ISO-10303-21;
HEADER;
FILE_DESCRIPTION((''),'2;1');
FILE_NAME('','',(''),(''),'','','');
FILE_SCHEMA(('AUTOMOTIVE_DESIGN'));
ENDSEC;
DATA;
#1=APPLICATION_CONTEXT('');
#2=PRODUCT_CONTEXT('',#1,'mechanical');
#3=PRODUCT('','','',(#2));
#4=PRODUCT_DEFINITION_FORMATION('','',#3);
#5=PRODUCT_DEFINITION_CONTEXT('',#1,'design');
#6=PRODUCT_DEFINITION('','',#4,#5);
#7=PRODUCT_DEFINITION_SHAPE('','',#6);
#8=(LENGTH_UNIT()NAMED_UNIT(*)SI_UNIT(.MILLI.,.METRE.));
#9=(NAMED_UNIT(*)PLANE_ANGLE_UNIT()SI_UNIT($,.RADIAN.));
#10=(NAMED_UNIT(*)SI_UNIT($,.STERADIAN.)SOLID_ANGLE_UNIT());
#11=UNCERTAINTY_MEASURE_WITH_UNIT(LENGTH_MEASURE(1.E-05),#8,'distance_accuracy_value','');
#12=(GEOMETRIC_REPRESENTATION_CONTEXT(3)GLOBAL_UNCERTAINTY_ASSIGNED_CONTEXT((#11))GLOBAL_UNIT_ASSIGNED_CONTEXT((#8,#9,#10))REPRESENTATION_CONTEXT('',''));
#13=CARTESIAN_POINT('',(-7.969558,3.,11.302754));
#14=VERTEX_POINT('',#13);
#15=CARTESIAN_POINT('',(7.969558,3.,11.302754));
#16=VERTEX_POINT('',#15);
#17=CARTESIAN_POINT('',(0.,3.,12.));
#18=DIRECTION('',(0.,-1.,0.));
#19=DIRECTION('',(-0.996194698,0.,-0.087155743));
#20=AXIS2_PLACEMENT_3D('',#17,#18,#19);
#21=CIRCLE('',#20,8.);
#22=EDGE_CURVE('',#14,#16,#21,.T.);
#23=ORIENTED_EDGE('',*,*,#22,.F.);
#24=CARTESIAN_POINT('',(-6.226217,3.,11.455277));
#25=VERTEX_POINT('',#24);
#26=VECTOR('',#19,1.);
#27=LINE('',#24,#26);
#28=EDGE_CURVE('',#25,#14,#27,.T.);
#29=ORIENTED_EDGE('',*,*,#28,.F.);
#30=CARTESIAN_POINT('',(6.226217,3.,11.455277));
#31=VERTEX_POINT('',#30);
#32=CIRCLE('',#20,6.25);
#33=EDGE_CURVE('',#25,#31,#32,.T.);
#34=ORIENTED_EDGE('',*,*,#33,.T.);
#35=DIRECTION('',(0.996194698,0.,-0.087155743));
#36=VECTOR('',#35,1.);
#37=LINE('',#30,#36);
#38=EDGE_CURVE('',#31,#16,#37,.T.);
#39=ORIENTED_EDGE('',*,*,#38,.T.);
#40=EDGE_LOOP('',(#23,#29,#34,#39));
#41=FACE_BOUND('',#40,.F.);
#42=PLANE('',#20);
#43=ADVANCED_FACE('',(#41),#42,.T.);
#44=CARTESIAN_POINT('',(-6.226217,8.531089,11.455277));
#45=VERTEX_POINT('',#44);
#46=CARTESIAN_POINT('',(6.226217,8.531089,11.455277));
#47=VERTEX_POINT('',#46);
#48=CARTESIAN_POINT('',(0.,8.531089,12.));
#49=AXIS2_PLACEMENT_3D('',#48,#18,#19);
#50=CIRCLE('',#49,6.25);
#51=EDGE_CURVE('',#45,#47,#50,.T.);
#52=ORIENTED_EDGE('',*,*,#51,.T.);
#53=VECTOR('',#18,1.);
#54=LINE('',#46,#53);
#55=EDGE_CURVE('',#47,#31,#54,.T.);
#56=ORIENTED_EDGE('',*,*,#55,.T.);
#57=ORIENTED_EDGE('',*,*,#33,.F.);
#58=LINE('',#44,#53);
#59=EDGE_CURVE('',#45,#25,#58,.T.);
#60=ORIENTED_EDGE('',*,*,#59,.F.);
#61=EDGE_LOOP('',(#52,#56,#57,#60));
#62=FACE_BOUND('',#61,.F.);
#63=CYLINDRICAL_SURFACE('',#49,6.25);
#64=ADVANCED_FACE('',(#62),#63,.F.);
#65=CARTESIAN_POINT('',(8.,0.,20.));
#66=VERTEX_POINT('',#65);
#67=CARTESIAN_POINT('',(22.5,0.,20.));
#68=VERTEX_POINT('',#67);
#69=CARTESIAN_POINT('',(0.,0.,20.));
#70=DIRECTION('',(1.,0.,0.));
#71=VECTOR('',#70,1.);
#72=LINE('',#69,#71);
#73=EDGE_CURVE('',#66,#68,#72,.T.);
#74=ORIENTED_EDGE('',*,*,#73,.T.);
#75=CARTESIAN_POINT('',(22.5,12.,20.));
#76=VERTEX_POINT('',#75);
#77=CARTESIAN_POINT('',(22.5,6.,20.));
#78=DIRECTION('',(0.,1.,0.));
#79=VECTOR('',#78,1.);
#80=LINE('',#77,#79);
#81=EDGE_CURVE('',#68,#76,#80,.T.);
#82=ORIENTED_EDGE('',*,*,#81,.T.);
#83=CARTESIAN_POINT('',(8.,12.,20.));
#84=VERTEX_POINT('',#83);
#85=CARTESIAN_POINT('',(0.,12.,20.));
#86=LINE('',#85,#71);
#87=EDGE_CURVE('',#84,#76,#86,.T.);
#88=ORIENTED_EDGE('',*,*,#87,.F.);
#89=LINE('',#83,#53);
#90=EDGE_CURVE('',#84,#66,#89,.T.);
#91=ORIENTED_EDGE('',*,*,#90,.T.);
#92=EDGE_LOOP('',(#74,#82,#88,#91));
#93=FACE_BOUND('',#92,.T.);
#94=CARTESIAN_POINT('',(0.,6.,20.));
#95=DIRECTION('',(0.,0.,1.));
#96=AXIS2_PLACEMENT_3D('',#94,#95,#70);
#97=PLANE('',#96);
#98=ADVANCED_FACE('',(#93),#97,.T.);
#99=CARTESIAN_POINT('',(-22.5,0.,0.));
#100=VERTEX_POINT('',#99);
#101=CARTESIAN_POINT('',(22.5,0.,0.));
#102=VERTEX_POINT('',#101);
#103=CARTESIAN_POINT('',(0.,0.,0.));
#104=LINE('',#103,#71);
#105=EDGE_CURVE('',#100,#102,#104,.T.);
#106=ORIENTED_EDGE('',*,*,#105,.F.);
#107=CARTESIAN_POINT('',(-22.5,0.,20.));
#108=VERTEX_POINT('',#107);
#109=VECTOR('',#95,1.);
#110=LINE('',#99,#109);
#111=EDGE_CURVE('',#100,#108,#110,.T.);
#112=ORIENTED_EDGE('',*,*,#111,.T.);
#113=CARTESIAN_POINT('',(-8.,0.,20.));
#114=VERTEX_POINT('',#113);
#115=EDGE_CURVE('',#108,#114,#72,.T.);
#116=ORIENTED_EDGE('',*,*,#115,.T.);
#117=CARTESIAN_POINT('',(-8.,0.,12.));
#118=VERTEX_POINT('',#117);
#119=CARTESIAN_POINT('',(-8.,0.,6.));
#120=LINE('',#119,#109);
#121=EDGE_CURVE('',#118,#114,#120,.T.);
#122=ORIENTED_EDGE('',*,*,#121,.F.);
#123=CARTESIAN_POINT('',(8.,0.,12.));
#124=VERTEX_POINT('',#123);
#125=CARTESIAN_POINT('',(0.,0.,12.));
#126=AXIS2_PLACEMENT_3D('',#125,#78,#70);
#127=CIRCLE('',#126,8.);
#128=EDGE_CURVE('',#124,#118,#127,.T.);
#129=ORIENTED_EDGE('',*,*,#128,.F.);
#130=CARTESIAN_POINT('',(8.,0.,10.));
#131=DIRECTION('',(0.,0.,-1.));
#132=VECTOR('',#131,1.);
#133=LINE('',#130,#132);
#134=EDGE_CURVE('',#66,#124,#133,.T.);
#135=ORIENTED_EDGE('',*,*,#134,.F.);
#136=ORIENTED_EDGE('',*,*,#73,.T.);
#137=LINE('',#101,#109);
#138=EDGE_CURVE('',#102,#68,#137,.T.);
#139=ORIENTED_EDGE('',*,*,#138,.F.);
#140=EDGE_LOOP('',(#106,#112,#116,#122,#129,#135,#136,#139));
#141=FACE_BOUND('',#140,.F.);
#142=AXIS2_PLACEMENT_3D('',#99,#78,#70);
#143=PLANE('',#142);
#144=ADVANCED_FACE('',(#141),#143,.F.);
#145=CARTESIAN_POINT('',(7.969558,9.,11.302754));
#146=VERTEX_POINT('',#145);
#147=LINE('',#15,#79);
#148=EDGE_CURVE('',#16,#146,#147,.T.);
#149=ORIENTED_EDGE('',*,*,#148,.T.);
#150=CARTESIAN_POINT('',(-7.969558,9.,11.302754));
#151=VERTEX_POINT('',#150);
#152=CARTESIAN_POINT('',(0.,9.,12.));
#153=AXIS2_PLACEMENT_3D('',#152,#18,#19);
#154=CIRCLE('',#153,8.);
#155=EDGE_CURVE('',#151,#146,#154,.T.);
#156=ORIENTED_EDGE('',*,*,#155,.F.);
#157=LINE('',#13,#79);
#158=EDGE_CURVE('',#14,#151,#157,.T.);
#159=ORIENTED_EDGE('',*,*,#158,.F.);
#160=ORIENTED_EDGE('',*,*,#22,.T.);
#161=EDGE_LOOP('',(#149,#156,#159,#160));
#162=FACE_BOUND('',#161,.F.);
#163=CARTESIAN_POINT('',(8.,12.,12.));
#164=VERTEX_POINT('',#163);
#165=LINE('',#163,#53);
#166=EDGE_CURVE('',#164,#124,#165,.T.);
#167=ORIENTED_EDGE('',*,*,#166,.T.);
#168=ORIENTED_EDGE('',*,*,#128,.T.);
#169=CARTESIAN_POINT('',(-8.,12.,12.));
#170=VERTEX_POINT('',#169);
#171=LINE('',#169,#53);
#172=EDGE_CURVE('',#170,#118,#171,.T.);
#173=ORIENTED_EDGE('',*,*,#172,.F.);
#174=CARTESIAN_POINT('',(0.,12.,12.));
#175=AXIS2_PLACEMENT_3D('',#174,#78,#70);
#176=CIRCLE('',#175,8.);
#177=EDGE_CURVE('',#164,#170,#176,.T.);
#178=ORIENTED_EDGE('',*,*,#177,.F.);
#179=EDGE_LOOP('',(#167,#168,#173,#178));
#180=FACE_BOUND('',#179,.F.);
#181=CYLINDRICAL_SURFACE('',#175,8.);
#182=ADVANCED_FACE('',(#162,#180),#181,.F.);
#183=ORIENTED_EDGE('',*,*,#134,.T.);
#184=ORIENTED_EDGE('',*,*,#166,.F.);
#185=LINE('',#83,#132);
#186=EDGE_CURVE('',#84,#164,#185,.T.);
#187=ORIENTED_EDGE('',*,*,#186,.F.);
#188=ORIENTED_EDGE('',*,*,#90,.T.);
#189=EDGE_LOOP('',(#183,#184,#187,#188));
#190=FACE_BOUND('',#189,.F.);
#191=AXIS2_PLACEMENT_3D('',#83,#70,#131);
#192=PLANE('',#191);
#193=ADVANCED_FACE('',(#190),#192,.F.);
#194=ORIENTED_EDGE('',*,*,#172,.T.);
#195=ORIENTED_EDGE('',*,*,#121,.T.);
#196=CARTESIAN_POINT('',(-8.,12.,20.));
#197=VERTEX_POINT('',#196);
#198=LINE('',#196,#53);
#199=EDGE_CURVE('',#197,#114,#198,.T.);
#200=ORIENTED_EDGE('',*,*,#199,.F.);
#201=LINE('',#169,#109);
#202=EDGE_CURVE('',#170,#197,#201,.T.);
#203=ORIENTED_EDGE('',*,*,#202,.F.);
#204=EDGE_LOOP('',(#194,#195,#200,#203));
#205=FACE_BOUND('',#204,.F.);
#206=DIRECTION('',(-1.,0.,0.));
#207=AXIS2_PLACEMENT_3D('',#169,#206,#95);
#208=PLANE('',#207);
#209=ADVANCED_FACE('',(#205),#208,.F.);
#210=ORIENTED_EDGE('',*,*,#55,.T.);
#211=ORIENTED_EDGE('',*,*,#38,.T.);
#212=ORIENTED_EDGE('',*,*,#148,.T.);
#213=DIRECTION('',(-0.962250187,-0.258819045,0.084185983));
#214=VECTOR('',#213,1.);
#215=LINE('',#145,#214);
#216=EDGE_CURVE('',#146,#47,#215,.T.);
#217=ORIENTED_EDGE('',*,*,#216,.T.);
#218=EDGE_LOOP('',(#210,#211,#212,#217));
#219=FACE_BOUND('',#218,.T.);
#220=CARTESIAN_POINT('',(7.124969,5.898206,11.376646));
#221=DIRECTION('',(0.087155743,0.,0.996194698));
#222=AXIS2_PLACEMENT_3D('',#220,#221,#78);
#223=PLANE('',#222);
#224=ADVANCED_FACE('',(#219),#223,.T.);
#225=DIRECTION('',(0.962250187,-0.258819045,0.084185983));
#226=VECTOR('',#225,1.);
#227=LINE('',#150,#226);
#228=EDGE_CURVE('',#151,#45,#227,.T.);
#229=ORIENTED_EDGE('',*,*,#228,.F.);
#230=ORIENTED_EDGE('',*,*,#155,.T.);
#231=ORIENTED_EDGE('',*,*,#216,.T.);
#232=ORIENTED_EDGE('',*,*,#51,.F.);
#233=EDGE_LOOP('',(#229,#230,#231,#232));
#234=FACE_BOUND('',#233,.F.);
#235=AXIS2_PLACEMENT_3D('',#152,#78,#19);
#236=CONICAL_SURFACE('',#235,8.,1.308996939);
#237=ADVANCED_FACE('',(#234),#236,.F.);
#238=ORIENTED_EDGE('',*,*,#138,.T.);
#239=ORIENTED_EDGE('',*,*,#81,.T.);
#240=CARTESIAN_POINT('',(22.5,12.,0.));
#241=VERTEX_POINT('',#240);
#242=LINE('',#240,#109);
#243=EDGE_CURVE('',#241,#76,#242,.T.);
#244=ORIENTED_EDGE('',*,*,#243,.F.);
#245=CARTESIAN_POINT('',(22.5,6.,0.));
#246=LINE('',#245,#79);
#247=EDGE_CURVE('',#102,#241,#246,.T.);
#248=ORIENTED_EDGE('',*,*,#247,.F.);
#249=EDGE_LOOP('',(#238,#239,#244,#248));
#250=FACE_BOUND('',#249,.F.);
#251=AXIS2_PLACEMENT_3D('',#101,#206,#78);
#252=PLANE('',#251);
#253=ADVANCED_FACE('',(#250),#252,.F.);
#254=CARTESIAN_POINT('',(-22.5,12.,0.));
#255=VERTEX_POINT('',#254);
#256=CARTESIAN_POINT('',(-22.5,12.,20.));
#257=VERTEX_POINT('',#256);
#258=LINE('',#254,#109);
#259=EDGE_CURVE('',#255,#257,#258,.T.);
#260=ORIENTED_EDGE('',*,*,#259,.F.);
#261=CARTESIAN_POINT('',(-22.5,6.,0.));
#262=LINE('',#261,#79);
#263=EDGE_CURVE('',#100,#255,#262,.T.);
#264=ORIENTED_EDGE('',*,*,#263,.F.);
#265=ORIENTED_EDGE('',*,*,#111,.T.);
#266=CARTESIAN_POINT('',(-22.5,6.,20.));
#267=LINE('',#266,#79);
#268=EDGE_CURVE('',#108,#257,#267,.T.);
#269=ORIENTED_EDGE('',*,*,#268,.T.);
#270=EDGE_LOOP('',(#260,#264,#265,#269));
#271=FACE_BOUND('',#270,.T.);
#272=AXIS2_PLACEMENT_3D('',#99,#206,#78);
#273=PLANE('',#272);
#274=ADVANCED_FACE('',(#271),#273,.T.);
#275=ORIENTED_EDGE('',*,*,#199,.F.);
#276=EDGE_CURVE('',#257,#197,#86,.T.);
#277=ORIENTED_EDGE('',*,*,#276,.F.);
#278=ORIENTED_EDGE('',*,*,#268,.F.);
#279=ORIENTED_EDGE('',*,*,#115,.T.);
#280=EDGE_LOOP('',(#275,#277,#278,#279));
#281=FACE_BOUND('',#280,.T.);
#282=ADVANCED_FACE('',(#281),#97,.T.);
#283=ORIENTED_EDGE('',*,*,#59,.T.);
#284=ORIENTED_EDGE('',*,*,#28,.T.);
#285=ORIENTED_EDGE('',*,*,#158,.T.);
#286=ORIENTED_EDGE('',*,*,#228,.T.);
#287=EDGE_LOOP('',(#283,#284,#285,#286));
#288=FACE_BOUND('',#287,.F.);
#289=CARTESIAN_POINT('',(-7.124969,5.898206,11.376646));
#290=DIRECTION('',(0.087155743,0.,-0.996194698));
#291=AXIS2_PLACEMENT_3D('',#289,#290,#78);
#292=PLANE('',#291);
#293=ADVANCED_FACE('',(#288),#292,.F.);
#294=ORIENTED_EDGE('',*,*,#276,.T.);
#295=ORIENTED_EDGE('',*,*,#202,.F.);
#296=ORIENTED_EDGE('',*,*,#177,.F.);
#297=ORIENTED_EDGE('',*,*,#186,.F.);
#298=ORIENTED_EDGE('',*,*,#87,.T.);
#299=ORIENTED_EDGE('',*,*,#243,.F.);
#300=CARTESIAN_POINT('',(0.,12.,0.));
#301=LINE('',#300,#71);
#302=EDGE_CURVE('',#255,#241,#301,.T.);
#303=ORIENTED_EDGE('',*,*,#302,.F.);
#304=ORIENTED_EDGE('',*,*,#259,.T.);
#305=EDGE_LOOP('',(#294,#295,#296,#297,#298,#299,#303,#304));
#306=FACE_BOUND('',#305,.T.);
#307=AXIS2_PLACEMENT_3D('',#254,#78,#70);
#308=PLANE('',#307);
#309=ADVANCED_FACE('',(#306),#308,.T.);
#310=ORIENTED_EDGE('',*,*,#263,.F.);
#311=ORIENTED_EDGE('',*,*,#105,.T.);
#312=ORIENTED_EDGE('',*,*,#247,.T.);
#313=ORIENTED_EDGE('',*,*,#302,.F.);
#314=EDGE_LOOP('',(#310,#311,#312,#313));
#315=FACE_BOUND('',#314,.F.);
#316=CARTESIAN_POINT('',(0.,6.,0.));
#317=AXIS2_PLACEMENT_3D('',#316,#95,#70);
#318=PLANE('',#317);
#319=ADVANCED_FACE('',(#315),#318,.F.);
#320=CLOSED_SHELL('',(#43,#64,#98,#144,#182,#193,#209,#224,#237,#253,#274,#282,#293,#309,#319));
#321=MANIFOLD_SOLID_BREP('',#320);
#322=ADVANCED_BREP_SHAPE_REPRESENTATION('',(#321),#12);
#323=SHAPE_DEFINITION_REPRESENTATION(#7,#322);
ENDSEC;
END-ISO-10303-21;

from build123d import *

# Parameters (mm, degrees)
F0_W          = 45
F0_H          = 12
F1_DEPTH      = 20
F3_DEPTH      = 12.001
F5_ANGLE_BACK = 85
F5_ANGLE      = 170


with BuildPart() as f1:
    # F0 (on Top) → F1 (new body)
    with BuildSketch(Plane.XY):
        with Locations((0, 6)):
            Rectangle(F0_W, F0_H)
    extrude(amount=F1_DEPTH)

    # F2 (on face) → F3 (cut, through all)
    with BuildSketch(Plane(origin=(0, 12, 0), x_dir=(-1, 0, 0), z_dir=(0, 1, 0))):
        with BuildLine():
            ThreePointArc((-8, 12), (0, 4), (8, 12))
            Line((8, 12), (8, 20))
            Line((8, 20), (-8, 20))
            Line((-8, 20), (-8, 12))
        make_face()
    extrude(amount=-F3_DEPTH, mode=Mode.SUBTRACT)

    # F4 (on Right) → F5 (revolve)
    with BuildSketch(Plane.YZ, mode=Mode.PRIVATE) as f5_sk:
        Polygon((3, 4), (9, 4), (8.5310889132, 5.75), (3, 5.75), align=None)
    revolve(f5_sk.sketch.rotate(Axis((0, 6, 12), (0, -1, 0)), -F5_ANGLE_BACK), axis=Axis((0, 6, 12), (0, -1, 0)), revolution_arc=F5_ANGLE)


solid = f1.part
